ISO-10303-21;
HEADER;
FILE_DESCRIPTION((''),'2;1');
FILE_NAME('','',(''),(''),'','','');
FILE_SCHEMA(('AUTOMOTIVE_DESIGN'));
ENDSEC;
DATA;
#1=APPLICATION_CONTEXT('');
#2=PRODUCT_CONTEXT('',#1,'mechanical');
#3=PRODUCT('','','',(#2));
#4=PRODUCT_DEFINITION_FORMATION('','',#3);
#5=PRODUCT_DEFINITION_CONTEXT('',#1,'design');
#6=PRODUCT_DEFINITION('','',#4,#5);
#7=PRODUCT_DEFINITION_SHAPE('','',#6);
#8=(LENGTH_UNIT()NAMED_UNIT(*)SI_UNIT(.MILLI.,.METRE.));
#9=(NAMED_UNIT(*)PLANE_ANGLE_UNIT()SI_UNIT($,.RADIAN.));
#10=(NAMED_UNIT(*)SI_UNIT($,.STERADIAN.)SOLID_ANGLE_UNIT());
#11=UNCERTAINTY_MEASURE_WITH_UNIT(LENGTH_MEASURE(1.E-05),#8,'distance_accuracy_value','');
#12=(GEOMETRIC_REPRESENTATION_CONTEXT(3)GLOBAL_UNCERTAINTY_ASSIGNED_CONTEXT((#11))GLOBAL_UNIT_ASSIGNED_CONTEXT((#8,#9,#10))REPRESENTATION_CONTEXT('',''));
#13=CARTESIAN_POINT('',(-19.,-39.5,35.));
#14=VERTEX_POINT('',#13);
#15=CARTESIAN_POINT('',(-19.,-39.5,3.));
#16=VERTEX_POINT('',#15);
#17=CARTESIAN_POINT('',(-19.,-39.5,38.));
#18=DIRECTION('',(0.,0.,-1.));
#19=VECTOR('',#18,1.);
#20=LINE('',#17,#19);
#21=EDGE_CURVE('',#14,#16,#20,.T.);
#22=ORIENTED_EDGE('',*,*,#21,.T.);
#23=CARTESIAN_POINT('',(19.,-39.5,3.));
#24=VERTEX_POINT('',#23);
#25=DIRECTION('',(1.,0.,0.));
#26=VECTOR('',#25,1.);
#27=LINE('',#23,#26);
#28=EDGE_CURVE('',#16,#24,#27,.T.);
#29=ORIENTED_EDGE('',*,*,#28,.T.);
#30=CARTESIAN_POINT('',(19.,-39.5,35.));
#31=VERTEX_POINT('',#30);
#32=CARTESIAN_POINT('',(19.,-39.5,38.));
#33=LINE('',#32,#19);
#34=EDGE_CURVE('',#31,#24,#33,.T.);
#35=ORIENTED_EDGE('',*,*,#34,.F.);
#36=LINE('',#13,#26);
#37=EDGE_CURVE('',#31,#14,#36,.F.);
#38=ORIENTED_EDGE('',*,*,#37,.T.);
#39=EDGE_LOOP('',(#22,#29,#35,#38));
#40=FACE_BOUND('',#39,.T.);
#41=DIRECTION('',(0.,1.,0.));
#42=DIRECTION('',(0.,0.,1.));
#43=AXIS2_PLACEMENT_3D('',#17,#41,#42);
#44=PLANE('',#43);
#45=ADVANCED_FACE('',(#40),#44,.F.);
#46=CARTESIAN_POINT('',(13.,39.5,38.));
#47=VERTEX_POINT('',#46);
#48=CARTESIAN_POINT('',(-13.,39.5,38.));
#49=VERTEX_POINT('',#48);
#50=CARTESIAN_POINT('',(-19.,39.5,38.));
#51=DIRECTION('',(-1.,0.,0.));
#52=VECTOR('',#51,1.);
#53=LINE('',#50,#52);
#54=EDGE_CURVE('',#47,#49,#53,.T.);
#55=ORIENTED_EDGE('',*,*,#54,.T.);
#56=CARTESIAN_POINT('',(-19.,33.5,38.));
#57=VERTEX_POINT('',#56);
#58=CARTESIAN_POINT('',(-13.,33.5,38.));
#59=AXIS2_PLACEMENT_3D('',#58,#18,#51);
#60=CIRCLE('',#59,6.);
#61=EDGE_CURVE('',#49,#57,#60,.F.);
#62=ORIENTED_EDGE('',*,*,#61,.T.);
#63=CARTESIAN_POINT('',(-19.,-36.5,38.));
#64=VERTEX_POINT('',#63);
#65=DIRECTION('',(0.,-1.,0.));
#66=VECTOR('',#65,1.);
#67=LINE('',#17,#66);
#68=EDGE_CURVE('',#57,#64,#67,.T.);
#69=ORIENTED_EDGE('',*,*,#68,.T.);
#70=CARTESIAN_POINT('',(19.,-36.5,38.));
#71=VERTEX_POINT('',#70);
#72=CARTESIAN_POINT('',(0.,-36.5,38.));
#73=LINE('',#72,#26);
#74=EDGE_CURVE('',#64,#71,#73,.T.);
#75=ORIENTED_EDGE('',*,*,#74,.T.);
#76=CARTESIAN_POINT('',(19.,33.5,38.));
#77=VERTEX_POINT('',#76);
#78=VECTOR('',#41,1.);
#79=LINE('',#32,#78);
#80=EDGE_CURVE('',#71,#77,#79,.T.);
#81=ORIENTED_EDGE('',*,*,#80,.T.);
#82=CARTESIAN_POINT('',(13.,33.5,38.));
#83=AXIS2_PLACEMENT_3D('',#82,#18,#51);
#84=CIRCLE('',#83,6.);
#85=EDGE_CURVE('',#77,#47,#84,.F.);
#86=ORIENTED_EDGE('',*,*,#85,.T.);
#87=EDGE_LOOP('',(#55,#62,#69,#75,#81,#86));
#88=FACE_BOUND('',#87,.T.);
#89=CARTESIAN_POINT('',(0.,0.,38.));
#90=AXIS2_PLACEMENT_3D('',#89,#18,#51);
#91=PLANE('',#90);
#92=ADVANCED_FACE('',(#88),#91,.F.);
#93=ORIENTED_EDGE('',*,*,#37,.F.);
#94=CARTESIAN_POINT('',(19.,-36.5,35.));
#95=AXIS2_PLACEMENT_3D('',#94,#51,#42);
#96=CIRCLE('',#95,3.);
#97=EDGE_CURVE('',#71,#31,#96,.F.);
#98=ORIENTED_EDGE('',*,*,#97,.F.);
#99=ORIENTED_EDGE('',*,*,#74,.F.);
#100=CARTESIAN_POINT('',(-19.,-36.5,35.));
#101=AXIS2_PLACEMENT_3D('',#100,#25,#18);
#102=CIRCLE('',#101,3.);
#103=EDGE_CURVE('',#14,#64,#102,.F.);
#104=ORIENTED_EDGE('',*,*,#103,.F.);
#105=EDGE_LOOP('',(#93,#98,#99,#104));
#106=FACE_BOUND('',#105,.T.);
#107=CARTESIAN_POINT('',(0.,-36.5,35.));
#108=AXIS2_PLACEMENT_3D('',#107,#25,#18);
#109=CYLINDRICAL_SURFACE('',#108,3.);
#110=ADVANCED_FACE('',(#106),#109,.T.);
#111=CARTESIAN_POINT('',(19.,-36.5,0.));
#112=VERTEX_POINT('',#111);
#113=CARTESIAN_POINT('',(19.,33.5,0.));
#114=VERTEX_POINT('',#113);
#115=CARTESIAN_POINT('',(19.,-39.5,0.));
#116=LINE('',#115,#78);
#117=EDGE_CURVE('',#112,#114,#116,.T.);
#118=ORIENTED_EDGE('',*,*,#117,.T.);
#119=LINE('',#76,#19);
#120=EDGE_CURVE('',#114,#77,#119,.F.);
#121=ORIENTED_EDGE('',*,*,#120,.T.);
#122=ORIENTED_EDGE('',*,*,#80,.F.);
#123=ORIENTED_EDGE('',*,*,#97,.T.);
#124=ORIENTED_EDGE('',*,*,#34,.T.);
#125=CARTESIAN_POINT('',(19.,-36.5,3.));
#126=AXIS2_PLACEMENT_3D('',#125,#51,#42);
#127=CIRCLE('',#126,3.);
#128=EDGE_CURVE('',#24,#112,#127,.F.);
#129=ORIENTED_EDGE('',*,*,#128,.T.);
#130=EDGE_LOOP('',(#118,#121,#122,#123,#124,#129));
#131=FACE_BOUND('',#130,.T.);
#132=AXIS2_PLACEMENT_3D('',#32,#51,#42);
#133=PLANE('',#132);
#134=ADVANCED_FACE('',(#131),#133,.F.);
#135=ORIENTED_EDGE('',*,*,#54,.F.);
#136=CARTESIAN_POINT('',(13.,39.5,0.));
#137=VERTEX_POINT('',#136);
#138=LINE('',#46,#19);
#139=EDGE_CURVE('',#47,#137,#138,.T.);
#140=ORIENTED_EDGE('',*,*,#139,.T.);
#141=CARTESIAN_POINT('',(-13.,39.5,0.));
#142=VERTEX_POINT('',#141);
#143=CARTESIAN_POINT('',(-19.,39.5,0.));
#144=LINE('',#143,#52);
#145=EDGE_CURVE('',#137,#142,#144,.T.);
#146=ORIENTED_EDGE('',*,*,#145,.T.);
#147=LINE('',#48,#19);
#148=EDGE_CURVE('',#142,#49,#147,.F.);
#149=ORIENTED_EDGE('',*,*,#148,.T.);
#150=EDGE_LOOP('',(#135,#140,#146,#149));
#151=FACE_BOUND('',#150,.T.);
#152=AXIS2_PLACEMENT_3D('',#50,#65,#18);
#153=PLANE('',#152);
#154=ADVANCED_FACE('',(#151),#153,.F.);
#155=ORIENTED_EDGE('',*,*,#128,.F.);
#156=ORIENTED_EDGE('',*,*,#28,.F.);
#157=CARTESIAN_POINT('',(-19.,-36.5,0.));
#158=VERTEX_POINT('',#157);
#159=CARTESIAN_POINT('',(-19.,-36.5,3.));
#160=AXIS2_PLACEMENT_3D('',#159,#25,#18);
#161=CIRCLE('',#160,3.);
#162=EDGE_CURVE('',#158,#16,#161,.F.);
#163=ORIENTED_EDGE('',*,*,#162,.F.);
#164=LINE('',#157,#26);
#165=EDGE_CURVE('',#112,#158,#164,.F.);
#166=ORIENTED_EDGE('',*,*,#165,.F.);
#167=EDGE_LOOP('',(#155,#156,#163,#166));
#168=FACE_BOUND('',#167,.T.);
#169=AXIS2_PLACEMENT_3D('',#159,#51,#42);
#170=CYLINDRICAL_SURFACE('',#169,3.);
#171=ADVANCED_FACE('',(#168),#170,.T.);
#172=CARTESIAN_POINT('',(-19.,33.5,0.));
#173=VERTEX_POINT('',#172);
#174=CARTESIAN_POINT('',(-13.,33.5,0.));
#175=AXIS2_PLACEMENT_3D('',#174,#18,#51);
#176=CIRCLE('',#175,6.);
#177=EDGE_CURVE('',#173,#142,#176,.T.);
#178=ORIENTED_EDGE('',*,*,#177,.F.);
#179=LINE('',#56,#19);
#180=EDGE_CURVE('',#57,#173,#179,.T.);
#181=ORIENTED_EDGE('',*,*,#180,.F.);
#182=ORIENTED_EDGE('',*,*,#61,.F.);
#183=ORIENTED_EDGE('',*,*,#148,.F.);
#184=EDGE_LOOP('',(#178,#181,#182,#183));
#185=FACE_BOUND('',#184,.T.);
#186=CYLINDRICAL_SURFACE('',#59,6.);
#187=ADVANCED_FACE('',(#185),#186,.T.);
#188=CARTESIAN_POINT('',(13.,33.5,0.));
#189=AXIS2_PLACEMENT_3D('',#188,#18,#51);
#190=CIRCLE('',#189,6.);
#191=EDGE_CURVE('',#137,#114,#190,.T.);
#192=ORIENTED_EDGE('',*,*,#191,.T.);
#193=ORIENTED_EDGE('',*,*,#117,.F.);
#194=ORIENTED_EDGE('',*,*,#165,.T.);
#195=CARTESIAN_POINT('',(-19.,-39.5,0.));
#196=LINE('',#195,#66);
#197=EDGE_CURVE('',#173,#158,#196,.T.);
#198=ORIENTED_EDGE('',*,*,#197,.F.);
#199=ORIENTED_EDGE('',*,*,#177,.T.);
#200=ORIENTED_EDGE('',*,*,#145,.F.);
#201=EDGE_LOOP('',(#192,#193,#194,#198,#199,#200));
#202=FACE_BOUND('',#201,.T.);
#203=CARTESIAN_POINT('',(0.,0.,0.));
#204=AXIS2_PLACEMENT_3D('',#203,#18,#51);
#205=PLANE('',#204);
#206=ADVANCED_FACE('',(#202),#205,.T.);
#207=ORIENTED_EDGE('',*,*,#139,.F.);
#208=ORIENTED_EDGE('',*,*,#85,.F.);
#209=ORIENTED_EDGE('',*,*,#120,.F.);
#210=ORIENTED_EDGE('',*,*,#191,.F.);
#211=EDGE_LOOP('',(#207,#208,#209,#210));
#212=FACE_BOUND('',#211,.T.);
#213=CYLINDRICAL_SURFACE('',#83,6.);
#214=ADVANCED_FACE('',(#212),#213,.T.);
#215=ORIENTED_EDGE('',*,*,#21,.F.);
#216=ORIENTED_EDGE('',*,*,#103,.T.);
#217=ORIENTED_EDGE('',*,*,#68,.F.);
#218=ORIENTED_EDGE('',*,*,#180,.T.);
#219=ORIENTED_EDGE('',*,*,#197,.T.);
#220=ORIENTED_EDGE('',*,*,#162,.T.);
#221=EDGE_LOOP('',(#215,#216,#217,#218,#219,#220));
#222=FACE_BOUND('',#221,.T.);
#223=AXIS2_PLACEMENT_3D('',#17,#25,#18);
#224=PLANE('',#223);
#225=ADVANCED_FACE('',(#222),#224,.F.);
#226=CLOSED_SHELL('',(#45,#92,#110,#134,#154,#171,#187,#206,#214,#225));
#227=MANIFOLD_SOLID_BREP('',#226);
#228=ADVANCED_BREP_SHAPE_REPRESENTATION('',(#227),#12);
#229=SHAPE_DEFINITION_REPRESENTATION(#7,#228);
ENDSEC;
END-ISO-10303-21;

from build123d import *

# Parameters (mm, degrees)
SKETCH1_W           = 38
SKETCH1_H           = 79
BOSS_EXTRUDE1_DEPTH = 38
FILLET1_R           = 6
FILLET2_R           = 3


with BuildPart() as part:
    # Sketch1 → Boss-Extrude1 (new body)
    with BuildSketch(Plane.XY):
        Rectangle(SKETCH1_W, SKETCH1_H)
    extrude(amount=BOSS_EXTRUDE1_DEPTH)

    # Fillet1
    fillet1_edges = [part.edges().sort_by_distance(p)[0] for p in [
        (-19, 39.5, 19),
        (19, 39.5, 19),
    ]]
    fillet(fillet1_edges, radius=FILLET1_R)

    # Fillet2
    fillet2_edges = [part.edges().sort_by_distance(p)[0] for p in [
        (0, -39.5, 38),
        (0, -39.5, 0),
    ]]
    fillet(fillet2_edges, radius=FILLET2_R)


solid = part.part
